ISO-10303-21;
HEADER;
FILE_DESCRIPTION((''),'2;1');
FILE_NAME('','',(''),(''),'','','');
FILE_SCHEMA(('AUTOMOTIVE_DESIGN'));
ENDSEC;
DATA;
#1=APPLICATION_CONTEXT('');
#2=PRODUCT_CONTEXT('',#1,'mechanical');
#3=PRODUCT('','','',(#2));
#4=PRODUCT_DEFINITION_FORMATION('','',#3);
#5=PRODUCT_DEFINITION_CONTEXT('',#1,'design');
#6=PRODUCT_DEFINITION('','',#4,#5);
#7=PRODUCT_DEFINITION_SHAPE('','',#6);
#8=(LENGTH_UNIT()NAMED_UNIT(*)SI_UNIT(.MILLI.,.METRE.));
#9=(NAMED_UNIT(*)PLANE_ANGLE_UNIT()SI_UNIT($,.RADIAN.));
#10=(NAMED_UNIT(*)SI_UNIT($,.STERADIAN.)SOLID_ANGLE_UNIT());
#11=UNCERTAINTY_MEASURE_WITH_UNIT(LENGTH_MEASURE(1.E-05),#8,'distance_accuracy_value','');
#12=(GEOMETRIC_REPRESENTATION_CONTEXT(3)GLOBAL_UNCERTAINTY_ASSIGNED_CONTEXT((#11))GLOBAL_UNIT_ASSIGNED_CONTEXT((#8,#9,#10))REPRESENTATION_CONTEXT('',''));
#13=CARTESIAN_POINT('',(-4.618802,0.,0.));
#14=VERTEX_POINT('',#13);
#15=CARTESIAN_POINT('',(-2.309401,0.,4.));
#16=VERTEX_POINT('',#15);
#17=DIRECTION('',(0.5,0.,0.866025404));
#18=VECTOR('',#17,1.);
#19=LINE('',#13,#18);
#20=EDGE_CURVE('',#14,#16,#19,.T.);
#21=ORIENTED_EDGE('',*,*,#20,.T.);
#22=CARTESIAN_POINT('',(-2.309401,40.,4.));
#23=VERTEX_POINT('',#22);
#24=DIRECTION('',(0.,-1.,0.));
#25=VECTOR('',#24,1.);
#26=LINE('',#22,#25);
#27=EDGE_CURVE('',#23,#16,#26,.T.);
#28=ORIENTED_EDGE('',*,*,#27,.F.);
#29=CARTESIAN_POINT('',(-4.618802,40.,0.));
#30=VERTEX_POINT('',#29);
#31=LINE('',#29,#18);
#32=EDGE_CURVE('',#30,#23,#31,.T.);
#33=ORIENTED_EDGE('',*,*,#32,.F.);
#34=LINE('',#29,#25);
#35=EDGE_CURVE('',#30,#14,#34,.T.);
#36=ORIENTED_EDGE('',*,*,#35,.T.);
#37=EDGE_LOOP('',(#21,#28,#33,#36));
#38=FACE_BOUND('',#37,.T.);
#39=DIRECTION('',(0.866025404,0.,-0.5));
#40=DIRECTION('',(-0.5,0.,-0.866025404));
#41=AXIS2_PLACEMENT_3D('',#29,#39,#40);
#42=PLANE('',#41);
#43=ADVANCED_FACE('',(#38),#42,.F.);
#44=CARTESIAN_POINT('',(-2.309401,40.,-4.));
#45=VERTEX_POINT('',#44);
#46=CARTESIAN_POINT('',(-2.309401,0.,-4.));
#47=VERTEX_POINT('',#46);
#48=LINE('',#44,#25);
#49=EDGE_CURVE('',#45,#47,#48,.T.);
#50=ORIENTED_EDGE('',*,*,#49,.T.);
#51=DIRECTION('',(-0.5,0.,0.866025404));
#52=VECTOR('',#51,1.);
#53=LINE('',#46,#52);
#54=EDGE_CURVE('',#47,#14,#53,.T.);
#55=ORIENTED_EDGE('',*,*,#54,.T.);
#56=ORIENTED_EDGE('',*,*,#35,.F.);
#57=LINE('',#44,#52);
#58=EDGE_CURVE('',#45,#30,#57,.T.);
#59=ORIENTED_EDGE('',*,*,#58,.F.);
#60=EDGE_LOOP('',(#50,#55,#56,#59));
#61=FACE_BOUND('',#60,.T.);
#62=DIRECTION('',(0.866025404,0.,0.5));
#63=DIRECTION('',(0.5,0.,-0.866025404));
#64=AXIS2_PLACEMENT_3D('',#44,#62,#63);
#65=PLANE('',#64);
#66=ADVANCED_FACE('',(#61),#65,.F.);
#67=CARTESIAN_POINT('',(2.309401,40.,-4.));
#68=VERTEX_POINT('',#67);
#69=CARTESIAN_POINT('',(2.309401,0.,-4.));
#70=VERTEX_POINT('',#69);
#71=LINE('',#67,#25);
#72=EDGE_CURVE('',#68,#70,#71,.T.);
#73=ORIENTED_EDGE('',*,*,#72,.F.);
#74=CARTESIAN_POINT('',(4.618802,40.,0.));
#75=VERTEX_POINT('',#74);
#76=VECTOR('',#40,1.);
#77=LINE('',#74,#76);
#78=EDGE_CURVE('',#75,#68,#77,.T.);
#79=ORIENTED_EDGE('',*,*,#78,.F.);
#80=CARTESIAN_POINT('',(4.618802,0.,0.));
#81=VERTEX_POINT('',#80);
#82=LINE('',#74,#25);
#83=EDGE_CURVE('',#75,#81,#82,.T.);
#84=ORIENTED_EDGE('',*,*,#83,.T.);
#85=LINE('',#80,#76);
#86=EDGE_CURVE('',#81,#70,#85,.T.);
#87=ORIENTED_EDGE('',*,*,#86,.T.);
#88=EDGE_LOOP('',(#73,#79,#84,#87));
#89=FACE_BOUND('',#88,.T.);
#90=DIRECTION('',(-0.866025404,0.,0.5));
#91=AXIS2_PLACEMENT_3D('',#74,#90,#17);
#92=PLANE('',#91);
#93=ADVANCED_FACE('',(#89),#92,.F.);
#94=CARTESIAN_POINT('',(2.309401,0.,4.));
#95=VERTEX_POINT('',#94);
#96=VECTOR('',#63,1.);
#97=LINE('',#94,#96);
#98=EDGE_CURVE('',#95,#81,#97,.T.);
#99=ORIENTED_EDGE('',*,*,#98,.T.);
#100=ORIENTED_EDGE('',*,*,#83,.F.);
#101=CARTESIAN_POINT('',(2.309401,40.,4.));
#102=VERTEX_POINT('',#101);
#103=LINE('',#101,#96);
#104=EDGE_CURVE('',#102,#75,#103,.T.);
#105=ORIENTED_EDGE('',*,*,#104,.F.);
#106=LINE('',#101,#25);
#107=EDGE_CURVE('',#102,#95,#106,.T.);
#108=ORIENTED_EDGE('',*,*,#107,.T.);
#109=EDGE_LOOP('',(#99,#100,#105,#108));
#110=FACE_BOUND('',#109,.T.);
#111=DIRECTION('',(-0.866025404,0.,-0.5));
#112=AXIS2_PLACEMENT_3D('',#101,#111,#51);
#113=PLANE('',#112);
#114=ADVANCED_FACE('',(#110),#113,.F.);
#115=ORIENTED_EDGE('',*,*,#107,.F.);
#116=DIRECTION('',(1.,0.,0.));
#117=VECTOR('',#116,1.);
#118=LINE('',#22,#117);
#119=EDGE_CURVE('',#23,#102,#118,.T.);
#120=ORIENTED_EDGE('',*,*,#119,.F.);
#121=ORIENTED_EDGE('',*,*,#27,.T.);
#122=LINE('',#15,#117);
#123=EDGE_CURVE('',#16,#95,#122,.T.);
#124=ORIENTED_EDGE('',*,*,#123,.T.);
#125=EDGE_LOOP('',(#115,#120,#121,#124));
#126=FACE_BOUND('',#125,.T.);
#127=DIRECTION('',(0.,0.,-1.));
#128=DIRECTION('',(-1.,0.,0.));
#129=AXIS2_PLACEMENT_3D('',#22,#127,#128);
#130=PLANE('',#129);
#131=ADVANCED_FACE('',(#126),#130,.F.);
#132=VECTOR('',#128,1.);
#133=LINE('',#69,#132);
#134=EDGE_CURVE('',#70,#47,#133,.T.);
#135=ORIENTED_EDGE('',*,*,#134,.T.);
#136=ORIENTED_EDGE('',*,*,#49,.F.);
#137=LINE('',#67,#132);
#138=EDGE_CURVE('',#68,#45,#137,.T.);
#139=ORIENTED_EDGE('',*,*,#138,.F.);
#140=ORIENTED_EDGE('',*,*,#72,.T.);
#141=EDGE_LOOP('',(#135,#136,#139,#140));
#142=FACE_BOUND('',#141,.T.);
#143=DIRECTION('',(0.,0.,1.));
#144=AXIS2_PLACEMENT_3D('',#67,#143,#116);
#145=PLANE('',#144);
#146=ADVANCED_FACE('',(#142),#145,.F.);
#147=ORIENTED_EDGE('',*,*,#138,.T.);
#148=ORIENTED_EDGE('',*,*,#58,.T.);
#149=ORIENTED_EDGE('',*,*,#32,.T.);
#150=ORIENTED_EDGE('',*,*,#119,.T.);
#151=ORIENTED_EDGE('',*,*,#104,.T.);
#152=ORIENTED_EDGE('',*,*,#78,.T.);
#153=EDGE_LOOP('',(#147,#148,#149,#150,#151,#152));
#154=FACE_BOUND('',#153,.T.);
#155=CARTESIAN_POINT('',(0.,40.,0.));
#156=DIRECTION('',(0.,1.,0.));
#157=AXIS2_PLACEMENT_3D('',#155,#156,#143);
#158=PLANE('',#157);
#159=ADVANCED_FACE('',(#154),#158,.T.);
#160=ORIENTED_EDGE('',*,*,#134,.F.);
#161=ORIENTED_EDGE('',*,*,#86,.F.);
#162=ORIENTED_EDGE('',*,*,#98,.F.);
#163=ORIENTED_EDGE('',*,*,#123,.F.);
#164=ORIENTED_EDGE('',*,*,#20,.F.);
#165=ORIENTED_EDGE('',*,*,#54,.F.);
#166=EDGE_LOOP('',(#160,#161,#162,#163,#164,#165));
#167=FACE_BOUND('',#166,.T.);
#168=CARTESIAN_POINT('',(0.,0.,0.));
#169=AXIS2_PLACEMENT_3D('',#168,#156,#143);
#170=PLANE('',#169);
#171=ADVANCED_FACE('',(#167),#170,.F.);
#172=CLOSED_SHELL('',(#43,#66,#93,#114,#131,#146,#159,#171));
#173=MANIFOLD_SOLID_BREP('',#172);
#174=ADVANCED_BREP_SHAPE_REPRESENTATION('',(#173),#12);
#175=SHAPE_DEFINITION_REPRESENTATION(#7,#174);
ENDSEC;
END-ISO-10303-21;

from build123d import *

# Parameters (mm, degrees)
BOSS_EXTRUDE1_DEPTH = 40


with BuildPart() as part:
    # Sketch1 → Boss-Extrude1 (new body)
    with BuildSketch(Plane(origin=(0, 0, 0), x_dir=(1, 0, 0), z_dir=(0, 1, 0))):
        Polygon((4.618802154, 0), (2.309401077, 4), (-2.309401077, 4), (-4.618802154, 0), (-2.309401077, -4), (2.309401077, -4), align=None)
    extrude(amount=BOSS_EXTRUDE1_DEPTH)


solid = part.part
